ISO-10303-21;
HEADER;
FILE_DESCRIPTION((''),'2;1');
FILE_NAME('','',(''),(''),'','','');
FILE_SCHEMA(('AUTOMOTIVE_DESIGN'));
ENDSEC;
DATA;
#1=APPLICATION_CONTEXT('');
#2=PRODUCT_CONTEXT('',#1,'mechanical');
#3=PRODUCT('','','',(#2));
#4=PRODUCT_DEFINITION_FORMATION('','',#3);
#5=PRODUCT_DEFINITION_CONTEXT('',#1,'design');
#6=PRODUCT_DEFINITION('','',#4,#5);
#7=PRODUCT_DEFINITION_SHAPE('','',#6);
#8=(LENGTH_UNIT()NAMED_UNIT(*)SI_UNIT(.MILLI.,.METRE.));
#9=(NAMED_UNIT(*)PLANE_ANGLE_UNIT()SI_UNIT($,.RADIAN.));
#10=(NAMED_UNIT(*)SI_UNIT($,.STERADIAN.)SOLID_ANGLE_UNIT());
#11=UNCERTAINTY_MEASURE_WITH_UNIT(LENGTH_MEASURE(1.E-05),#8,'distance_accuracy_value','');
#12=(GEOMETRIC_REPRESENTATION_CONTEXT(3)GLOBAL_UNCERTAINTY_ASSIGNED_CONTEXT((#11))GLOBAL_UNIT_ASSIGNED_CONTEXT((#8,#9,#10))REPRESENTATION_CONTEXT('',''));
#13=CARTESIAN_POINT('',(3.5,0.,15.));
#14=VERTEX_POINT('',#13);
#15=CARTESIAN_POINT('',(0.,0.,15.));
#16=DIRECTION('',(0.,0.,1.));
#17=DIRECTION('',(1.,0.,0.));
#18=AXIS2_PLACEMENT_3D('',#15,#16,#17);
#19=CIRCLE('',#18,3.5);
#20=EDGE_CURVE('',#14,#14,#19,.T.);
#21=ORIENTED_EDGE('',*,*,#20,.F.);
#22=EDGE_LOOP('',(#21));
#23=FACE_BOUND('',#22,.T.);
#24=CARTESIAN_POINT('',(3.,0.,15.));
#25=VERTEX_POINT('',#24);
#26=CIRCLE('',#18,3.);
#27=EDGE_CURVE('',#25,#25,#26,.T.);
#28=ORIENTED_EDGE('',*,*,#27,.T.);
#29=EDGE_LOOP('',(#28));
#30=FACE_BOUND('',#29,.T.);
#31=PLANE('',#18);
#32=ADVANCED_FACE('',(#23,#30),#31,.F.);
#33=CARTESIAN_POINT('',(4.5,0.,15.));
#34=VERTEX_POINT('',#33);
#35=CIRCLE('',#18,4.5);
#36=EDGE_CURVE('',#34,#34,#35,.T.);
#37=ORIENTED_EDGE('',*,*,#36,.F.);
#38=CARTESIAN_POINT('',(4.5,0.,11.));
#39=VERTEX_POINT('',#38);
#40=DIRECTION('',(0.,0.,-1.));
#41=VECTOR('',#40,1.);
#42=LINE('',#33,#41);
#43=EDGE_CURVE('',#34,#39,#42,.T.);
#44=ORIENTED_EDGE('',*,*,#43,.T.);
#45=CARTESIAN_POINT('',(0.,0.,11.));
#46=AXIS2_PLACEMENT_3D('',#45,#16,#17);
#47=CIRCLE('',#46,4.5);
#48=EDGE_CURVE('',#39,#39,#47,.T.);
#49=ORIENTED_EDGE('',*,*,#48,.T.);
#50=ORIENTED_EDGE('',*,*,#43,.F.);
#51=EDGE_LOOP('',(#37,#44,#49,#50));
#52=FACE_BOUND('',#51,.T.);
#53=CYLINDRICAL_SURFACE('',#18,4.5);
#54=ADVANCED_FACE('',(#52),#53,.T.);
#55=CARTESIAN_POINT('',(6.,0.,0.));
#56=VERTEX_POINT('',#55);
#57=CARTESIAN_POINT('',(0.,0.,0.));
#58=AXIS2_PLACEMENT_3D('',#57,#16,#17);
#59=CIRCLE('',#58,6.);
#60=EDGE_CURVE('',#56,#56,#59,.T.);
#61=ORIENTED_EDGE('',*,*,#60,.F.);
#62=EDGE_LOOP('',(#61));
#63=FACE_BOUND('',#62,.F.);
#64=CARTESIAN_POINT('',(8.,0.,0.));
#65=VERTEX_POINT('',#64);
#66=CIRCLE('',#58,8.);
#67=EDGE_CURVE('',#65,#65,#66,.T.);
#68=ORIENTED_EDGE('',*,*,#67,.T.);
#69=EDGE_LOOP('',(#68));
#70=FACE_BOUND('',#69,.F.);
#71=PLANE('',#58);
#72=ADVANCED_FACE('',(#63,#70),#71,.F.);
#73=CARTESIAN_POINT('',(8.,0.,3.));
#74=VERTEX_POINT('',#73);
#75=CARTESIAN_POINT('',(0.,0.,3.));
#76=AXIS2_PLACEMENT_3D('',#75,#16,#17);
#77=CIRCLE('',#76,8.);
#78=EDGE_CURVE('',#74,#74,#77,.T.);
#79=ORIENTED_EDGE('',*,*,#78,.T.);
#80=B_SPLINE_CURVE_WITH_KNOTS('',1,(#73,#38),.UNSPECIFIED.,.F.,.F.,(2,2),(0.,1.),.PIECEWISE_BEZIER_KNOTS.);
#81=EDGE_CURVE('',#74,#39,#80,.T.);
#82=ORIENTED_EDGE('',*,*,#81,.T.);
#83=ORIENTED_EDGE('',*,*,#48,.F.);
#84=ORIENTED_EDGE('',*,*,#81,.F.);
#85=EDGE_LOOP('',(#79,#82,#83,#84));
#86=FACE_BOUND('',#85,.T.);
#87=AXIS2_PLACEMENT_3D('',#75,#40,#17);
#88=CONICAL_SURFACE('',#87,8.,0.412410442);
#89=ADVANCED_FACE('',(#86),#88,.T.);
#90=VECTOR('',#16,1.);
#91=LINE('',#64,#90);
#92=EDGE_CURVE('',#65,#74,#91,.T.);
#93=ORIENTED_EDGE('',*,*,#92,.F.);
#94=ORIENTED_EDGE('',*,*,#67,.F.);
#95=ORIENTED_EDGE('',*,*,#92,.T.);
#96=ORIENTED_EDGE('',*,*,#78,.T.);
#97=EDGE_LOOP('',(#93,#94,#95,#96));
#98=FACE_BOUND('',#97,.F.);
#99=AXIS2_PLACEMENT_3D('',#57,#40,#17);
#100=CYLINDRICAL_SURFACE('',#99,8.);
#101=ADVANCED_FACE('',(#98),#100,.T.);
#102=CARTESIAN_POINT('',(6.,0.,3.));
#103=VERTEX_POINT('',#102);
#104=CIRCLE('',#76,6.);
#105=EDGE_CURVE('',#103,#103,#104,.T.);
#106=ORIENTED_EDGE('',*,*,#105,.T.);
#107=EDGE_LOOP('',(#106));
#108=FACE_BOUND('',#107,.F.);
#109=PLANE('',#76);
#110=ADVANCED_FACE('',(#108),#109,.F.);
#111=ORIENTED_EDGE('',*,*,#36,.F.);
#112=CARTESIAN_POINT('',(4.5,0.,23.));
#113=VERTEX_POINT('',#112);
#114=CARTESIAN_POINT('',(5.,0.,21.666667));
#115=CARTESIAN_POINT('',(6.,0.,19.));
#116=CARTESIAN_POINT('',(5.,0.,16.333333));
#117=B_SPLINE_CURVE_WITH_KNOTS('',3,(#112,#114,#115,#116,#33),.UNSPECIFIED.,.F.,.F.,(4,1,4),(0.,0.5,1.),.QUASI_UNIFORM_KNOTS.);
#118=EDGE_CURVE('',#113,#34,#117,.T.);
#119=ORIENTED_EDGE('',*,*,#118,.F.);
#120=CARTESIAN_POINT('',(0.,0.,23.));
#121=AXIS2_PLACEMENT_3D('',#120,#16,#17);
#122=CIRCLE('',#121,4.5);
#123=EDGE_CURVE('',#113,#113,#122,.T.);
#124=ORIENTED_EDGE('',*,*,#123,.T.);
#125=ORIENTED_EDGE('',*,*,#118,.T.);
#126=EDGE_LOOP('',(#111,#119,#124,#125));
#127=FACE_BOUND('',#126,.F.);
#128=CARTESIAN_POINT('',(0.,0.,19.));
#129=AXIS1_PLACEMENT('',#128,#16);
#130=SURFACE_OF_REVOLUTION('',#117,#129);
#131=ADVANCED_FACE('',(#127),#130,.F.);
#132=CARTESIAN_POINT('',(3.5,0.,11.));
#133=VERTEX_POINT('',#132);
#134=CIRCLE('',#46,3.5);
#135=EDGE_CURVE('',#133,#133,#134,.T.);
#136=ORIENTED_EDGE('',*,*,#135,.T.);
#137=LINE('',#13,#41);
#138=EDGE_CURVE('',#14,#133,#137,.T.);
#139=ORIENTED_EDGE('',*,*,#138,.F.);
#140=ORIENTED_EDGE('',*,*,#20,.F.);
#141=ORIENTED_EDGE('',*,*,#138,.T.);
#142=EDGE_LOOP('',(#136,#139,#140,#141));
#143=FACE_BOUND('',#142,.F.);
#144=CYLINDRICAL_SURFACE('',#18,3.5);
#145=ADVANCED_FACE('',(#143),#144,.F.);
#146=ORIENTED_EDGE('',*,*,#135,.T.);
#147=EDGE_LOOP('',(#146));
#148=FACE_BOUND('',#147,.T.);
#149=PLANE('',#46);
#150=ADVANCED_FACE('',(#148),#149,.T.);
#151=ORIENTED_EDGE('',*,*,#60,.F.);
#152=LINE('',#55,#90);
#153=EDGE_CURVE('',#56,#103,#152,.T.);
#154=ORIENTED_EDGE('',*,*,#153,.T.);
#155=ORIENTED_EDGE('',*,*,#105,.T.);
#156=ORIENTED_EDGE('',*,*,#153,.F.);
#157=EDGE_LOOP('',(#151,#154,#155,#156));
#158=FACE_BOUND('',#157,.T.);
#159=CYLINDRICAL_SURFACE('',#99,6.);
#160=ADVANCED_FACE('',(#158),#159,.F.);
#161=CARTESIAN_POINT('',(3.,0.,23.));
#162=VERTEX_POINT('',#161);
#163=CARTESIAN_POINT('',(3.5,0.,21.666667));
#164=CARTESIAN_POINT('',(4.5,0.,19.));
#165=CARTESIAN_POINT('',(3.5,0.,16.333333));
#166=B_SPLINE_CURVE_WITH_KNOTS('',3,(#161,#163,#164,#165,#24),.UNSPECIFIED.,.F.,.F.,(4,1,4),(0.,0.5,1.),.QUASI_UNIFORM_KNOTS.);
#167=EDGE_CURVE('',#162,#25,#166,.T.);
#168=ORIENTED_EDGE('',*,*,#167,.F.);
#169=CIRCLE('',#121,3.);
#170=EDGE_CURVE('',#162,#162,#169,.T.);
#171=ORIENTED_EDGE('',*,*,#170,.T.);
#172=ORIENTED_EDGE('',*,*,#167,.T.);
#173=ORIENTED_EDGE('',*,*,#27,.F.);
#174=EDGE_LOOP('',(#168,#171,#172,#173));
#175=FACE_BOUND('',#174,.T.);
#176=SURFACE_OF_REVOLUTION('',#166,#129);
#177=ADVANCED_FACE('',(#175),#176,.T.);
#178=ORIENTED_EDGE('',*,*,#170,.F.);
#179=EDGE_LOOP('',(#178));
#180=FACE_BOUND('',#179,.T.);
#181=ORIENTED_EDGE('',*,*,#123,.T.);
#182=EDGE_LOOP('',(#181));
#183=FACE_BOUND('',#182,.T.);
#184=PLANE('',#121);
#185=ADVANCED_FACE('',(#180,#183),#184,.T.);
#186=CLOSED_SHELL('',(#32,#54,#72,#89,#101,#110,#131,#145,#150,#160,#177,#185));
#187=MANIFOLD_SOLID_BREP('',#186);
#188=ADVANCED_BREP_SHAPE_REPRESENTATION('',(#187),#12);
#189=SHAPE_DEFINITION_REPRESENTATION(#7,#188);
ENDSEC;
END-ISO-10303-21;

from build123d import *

# Parameters (mm, degrees)
F6_R      = 4.5
F6_R_2    = 3.5
F9_DEPTH  = 4
F0_R      = 8
F0_R_2    = 6
F10_DEPTH = 3
F2_R      = 8
F4_R      = 4.5


with BuildPart() as f8:
    # F7 (on Front) → F8 (revolve)
    with BuildSketch(Plane.XZ):
        with BuildLine():
            Line((4.5, 23), (3, 23))
            add(Edge.make_bspline(
                [(3, 23), (3.5, 21.6666666667), (4.5, 19), (3.5, 16.3333333333), (3, 15)],
                knots=[0, 0, 0, 0, 0.5, 1, 1, 1, 1], degree=3))
            Line((3, 15), (4.5, 15))
            add(Edge.make_bspline(
                [(4.5, 23), (5, 21.6666666667), (6, 19), (5, 16.3333333333), (4.5, 15)],
                knots=[0, 0, 0, 0, 0.5, 1, 1, 1, 1], degree=3))
        make_face()
    revolve(axis=Axis((0, 0, 19), (0, 0, 1)))

    # F6 (on offset) → F9 (join, through all)
    with BuildSketch(Plane.XY.offset(15)):
        Circle(F6_R)
        Circle(F6_R_2, mode=Mode.SUBTRACT)
    extrude(amount=-F9_DEPTH)



with BuildPart() as f10:
    # F0 (on Top) → F10 (new body, through all)
    with BuildSketch(Plane.XY):
        Circle(F0_R)
        Circle(F0_R_2, mode=Mode.SUBTRACT)
    extrude(amount=F10_DEPTH)


with BuildPart() as f8_1:
    add(f8.part)

    add(f10.part)  # F11 merges F10
    # F2 (on offset) → F11 section 0
    with BuildSketch(Plane.XY.offset(3)):
        Circle(F2_R)
    # F4 (on offset) → F11 section 1
    with BuildSketch(Plane.XY.offset(11)):
        Circle(F4_R)
    loft()


solid = f8_1.part
